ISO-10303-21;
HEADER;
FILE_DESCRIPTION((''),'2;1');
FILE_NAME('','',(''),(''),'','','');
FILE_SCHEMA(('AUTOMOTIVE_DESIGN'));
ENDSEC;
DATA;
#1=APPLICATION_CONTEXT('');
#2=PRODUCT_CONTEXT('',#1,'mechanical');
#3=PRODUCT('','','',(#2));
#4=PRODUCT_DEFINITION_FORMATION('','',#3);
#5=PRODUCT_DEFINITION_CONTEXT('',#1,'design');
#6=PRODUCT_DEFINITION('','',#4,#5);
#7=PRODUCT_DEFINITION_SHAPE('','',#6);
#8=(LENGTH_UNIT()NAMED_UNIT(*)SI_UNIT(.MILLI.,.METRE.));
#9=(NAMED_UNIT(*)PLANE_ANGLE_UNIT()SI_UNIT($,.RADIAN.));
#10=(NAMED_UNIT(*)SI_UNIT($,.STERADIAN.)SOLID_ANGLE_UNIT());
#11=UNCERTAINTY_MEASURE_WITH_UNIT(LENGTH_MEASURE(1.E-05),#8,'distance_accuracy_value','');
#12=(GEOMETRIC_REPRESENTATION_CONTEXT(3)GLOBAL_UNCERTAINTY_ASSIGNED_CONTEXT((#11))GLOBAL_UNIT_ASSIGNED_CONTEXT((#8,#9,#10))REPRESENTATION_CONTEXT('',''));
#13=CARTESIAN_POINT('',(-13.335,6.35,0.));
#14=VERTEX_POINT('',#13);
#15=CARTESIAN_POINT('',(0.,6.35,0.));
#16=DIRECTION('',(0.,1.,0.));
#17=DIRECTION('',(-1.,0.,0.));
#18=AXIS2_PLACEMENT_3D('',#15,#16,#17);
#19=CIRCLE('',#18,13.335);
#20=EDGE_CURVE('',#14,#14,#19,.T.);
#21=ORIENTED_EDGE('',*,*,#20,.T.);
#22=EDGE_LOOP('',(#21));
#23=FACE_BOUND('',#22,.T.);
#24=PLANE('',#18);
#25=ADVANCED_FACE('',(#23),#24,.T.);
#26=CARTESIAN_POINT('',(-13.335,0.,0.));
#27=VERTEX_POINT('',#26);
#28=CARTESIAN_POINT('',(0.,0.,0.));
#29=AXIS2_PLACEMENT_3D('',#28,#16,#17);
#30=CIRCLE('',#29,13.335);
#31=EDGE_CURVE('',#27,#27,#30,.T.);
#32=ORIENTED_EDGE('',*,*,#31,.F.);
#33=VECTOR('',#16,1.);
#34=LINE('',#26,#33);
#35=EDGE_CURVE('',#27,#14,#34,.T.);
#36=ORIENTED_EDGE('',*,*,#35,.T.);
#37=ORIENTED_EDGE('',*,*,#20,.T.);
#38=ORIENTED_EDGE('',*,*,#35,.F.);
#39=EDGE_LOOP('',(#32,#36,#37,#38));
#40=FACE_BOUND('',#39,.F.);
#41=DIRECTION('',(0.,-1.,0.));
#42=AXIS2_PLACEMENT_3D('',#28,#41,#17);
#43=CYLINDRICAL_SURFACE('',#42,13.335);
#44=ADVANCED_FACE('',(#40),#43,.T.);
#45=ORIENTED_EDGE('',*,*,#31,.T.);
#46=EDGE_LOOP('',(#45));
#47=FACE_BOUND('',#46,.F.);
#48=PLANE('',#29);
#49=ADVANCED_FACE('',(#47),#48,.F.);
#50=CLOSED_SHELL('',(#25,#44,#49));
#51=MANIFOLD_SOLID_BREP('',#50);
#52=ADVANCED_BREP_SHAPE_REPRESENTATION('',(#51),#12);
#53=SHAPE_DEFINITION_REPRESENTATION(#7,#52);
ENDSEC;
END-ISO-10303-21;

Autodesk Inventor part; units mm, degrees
ref_plane "YZ Plane" through (0, 0, 0) normal (1, 0, 0) x (0, 1, 0)
ref_plane "XZ Plane" through (0, 0, 0) normal (0, 1, 0) x (-1, 0, 0)
ref_plane "XY Plane" through (0, 0, 0) normal (0, 0, 1) x (1, 0, 0)
sketch "Sketch1" plane through (0, 0, 0) normal (0, 1, 0) x (-1, 0, 0)
  circle A0 centre (0, 0) radius 13.335
  dimension "d0" = 26.67
extrude "Extrusion1" add sketch "Sketch1" along normal blind 6.35
properties part number "plug" material "Copper"
